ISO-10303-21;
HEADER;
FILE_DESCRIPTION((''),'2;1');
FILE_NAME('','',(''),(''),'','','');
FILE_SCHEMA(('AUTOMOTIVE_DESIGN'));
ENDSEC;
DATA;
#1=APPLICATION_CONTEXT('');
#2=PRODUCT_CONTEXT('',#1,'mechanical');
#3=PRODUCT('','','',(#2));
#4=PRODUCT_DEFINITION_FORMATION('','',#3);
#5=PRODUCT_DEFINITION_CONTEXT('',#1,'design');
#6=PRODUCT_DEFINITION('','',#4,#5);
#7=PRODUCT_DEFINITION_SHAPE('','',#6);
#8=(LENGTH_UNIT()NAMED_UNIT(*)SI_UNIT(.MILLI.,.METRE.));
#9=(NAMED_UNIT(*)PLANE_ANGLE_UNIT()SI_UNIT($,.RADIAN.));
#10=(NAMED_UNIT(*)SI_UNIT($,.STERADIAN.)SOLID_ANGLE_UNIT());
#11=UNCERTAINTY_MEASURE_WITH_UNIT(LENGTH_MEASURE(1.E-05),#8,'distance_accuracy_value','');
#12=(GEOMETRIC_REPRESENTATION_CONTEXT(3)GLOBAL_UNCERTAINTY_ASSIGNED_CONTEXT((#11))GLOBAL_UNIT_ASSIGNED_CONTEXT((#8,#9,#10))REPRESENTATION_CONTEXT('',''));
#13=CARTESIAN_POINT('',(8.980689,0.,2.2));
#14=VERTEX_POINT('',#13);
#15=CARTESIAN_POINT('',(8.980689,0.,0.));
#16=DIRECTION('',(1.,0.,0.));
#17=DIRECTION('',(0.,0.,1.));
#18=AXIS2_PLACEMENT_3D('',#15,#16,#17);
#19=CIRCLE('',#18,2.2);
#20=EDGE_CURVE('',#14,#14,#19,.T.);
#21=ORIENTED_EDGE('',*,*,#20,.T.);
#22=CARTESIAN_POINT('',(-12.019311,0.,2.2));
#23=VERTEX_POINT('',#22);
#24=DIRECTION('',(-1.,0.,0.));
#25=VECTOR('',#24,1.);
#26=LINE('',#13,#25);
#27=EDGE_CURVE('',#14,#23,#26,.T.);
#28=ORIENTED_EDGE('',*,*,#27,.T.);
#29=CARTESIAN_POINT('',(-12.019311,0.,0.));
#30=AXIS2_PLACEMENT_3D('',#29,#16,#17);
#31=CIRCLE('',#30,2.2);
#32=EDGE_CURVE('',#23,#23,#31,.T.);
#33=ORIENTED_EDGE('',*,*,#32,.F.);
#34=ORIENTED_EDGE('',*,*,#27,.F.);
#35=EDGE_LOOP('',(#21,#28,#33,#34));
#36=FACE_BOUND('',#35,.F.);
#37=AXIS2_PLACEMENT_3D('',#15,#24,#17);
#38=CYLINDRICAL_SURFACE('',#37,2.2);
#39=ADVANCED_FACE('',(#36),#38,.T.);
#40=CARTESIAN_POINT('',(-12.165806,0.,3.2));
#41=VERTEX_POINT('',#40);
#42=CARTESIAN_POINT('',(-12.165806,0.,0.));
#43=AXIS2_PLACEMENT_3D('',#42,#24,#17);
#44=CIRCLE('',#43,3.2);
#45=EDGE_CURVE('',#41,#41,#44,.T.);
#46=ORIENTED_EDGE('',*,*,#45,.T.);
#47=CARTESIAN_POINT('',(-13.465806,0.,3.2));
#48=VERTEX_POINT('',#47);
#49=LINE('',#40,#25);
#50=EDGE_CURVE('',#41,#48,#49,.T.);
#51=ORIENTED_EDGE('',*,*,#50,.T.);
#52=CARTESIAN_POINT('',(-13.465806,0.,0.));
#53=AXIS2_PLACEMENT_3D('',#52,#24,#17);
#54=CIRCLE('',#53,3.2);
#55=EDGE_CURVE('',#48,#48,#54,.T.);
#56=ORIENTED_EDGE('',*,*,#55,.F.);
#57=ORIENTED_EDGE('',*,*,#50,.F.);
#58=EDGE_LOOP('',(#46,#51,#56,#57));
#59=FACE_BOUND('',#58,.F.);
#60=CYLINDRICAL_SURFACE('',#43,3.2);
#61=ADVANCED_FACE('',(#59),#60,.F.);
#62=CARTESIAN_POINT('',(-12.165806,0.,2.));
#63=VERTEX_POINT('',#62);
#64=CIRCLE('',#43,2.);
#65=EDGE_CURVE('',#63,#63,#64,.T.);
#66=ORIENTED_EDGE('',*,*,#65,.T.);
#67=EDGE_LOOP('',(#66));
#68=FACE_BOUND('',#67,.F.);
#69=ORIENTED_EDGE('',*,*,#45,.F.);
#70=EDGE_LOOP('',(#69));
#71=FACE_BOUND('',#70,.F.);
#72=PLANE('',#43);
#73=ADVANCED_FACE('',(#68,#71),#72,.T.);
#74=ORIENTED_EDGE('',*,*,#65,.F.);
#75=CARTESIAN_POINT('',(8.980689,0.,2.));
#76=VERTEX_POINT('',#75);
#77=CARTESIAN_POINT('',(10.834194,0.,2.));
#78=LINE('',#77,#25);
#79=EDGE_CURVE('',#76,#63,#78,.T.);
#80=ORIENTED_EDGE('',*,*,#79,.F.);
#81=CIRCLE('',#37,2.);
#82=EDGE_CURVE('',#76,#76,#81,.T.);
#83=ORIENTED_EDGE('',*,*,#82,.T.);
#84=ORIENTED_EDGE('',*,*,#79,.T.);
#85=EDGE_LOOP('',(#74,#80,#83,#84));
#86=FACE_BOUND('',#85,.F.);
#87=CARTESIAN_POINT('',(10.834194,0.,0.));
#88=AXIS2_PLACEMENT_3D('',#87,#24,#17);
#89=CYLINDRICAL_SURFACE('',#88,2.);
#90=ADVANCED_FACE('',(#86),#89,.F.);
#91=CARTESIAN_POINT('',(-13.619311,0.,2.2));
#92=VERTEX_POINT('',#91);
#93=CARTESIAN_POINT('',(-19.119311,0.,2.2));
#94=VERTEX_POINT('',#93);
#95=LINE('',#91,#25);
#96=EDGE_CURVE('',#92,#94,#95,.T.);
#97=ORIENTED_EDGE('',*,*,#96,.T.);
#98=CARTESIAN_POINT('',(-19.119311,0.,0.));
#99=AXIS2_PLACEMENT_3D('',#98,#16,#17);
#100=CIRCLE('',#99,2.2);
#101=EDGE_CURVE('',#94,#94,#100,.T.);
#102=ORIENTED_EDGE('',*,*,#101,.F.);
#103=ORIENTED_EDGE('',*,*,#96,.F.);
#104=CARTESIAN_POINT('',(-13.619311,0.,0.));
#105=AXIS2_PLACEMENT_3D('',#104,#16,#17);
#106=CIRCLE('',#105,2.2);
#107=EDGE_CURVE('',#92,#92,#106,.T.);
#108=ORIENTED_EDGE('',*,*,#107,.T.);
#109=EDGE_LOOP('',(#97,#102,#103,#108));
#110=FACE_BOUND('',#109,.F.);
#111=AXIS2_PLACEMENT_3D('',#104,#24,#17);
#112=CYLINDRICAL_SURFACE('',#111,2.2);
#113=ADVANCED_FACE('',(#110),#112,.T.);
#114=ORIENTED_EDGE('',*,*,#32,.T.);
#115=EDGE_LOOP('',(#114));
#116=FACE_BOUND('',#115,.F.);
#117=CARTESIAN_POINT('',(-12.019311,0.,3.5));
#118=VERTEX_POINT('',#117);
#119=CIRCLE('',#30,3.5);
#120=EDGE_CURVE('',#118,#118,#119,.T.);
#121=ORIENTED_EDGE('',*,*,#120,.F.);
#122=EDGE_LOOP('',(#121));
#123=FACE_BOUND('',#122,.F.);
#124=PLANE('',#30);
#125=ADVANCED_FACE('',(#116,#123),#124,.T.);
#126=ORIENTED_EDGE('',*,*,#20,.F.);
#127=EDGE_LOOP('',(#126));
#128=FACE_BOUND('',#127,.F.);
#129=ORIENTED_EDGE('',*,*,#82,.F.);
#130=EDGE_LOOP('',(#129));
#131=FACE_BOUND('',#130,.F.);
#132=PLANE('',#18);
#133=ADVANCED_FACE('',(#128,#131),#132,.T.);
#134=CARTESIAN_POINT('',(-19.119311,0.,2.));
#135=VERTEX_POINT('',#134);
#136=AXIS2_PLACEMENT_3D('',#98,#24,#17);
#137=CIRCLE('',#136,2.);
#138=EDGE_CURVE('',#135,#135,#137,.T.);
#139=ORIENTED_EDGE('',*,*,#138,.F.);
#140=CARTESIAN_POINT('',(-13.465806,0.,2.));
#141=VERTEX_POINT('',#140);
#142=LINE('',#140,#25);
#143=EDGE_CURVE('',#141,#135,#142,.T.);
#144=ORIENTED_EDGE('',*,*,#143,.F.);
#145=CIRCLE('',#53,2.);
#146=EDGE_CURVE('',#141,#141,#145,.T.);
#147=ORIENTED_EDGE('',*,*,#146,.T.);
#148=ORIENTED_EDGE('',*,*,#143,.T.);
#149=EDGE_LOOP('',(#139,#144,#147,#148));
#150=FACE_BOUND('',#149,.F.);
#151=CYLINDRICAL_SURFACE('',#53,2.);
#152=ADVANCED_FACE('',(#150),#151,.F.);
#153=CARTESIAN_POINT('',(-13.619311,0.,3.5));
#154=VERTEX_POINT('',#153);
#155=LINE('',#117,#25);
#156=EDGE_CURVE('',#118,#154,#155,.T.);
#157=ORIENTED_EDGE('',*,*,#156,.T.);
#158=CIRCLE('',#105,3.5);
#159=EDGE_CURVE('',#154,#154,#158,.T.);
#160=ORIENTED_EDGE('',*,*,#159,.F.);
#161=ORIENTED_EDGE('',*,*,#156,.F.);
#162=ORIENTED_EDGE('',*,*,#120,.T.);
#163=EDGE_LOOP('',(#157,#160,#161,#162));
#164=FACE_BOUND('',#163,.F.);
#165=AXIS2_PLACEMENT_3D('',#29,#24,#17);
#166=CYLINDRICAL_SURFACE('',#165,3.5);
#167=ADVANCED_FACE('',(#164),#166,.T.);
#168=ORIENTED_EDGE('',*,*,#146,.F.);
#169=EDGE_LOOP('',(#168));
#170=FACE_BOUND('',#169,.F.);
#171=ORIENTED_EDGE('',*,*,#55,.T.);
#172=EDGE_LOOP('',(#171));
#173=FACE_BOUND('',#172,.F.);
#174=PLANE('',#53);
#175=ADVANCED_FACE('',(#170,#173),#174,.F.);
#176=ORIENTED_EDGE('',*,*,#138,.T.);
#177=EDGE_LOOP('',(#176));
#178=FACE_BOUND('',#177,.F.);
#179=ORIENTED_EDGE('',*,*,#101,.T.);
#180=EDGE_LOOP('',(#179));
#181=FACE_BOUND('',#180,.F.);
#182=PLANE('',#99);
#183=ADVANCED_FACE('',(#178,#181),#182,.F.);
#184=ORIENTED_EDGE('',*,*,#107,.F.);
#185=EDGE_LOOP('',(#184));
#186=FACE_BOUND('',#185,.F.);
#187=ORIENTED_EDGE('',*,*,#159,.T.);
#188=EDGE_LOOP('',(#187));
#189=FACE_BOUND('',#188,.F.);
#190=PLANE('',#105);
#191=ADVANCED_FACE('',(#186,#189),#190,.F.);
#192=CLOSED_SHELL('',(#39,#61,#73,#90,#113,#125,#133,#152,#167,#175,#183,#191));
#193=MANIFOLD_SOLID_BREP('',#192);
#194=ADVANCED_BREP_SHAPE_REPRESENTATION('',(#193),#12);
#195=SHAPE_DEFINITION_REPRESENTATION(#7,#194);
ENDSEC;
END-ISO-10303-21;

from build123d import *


with BuildPart() as f1:
    # F0 (on Front) → F1 (revolve)
    with BuildSketch(Plane.XZ):
        Polygon((-13.619311, 2.2), (-19.119311, 2.2), (-19.119311, 0), (8.980689, 0), (8.980689, 2.2), (-12.019311, 2.2), (-12.019311, 3.5), (-13.619311, 3.5), align=None)
    revolve(axis=Axis((-4.034162, 0, 0), (1, 0, 0)))

    # F2 (on Front) → F3 (revolve, cut)
    with BuildSketch(Plane.XZ):
        Polygon((-13.465806, 2), (-19.465806, 2), (-19.465806, 0), (10.834194, 0), (10.834194, 2), (-12.165806, 2), (-12.165806, 3.2), (-13.465806, 3.2), align=None)
    revolve(axis=Axis((-4.82097, 0, 0), (-1, 0, 0)), mode=Mode.SUBTRACT)


solid = f1.part
